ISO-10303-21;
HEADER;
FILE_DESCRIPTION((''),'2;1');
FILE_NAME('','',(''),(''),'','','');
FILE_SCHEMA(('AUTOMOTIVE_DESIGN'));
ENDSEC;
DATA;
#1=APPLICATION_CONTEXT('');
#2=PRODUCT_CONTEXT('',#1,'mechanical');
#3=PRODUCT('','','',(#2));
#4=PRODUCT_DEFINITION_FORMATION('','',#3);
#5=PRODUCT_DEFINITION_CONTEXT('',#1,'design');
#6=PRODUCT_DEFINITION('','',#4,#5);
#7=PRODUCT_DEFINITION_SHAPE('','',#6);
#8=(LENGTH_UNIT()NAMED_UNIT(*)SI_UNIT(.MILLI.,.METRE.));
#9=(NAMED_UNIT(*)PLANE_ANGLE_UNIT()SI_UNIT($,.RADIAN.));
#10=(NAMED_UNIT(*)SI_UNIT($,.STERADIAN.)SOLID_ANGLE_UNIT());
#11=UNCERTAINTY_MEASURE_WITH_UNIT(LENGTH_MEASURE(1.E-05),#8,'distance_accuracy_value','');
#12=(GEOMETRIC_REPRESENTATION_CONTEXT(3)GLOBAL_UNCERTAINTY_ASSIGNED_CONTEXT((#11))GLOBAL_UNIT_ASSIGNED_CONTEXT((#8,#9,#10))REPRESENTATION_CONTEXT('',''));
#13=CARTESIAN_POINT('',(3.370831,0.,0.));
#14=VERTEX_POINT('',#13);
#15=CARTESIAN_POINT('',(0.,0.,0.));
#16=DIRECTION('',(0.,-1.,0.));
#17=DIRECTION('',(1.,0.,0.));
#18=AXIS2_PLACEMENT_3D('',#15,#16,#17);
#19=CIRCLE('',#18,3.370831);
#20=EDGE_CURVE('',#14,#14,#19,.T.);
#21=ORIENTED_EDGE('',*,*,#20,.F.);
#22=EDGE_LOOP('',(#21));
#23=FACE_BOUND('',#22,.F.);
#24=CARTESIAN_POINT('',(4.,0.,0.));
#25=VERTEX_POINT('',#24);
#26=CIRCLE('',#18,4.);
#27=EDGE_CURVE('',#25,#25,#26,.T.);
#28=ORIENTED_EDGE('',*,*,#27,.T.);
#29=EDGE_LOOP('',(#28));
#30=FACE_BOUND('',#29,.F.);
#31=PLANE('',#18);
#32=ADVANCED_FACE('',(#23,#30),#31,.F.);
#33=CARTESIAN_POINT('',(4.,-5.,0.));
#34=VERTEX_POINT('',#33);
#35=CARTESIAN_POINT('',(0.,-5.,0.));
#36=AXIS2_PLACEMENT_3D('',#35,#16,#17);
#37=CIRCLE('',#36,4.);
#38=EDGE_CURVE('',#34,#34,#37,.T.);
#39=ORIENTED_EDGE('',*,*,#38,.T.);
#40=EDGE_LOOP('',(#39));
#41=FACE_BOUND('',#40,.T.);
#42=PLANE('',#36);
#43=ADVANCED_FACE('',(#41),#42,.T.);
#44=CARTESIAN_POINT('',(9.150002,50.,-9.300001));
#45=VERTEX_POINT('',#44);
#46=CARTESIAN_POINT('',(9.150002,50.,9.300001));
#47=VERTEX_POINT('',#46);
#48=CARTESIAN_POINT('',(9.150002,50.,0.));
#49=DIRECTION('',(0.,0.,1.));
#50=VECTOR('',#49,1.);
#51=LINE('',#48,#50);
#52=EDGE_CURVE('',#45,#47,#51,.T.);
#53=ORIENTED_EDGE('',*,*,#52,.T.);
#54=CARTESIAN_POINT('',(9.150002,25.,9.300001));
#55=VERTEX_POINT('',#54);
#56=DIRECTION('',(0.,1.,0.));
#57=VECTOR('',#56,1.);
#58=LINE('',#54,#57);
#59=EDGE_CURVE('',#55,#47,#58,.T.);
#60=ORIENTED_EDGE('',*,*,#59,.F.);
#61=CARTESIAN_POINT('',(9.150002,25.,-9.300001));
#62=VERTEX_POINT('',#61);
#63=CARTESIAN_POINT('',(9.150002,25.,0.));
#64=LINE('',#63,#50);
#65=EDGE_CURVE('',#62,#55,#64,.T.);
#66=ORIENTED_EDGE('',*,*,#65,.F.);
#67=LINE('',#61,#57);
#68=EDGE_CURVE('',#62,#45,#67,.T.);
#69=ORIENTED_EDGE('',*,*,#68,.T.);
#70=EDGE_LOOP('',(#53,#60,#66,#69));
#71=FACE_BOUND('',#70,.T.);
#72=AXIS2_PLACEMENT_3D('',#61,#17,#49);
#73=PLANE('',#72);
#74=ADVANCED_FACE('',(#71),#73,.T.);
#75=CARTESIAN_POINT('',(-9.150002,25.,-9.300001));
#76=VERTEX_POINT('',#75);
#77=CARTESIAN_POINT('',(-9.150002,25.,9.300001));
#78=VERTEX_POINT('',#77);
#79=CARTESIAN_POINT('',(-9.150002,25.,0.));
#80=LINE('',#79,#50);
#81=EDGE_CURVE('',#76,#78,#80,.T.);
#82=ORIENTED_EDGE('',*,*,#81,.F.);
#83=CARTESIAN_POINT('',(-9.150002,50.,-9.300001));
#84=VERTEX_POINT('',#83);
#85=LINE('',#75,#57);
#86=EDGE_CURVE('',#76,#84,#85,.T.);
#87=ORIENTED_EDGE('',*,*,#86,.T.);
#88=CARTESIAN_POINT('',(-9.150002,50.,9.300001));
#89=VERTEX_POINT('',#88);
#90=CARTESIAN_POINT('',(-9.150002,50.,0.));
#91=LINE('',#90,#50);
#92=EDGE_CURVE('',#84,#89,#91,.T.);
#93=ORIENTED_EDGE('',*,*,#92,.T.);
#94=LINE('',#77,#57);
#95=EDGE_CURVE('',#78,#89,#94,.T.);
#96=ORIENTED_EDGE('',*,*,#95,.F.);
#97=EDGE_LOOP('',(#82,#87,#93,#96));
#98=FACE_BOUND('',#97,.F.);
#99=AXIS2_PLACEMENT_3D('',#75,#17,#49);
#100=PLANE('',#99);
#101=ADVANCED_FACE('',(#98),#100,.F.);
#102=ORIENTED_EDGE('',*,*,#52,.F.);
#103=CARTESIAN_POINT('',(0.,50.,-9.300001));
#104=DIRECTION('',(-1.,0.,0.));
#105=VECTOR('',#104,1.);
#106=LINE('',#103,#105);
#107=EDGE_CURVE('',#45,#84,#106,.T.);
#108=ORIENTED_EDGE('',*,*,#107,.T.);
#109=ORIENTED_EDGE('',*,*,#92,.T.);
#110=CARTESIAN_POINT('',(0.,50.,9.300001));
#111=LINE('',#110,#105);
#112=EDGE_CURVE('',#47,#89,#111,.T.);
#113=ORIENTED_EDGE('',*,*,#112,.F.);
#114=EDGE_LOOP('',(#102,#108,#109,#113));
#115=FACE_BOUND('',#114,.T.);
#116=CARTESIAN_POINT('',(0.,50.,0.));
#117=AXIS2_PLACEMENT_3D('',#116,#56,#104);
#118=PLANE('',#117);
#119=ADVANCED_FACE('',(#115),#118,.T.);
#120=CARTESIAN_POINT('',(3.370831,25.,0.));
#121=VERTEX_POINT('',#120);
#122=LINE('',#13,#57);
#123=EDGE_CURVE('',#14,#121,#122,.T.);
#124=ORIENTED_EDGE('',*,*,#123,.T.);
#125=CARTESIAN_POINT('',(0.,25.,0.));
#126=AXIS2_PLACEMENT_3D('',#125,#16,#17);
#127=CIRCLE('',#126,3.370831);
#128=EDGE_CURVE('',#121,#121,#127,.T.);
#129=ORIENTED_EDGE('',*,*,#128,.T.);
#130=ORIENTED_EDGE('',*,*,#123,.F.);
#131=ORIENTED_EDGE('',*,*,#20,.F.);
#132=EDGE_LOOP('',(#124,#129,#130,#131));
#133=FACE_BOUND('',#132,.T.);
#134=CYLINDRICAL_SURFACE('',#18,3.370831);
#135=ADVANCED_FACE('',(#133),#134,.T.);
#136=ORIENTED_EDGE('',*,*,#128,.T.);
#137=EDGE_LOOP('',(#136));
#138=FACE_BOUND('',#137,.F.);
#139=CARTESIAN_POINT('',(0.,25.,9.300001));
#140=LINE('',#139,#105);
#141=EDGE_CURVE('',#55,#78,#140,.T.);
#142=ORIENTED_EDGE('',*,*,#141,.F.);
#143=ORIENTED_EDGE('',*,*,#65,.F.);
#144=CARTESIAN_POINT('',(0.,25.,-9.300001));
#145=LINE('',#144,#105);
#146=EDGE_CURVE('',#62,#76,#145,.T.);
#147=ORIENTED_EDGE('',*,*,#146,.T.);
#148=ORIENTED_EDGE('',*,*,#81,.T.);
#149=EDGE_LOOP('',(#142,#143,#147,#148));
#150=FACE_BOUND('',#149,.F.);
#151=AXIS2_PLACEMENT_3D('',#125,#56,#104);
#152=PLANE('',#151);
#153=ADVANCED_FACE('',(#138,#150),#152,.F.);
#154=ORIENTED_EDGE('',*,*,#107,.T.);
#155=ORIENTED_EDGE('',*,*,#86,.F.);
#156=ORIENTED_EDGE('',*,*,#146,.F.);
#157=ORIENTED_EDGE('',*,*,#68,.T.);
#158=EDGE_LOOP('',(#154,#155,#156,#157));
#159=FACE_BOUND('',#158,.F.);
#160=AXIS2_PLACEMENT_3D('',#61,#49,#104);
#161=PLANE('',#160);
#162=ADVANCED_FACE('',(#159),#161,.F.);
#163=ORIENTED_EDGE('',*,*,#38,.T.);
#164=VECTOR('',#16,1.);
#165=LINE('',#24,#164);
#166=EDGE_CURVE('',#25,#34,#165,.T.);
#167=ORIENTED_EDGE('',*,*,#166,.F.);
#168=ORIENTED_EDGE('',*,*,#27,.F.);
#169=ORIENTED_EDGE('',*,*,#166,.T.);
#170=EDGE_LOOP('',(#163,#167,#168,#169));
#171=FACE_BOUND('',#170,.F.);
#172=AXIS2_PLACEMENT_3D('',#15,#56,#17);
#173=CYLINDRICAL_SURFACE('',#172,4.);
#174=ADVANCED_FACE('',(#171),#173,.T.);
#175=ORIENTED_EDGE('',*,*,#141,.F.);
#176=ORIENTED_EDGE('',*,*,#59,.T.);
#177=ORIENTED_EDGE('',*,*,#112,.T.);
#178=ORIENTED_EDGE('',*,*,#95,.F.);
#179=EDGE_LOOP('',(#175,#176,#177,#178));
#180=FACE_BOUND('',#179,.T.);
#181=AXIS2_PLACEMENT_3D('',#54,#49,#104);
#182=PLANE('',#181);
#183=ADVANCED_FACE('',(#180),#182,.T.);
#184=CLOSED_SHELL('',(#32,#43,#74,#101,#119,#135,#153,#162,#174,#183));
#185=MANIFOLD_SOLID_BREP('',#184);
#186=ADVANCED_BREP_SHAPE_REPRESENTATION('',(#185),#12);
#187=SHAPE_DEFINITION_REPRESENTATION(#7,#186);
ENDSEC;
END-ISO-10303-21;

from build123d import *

# Parameters (mm, degrees)
F0_R     = 4
F1_DEPTH = 5
F2_R     = 3.370831
F3_DEPTH = 25
F4_W     = 18.300004
F4_H     = 18.600002
F5_DEPTH = 25


with BuildPart() as f1:
    # F0 (on Front) → F1 (new body)
    with BuildSketch(Plane.XZ):
        Circle(F0_R)
    extrude(amount=F1_DEPTH)

    # F2 (on Front) → F3 (join)
    with BuildSketch(Plane.XZ):
        Circle(F2_R)
    extrude(amount=-F3_DEPTH)

    # F4 (on face) → F5 (join)
    with BuildSketch(Plane(origin=(0, 25, 0), x_dir=(-1, 0, 0), z_dir=(0, 1, 0))):
        Rectangle(F4_W, F4_H)
    extrude(amount=F5_DEPTH)


solid = f1.part
